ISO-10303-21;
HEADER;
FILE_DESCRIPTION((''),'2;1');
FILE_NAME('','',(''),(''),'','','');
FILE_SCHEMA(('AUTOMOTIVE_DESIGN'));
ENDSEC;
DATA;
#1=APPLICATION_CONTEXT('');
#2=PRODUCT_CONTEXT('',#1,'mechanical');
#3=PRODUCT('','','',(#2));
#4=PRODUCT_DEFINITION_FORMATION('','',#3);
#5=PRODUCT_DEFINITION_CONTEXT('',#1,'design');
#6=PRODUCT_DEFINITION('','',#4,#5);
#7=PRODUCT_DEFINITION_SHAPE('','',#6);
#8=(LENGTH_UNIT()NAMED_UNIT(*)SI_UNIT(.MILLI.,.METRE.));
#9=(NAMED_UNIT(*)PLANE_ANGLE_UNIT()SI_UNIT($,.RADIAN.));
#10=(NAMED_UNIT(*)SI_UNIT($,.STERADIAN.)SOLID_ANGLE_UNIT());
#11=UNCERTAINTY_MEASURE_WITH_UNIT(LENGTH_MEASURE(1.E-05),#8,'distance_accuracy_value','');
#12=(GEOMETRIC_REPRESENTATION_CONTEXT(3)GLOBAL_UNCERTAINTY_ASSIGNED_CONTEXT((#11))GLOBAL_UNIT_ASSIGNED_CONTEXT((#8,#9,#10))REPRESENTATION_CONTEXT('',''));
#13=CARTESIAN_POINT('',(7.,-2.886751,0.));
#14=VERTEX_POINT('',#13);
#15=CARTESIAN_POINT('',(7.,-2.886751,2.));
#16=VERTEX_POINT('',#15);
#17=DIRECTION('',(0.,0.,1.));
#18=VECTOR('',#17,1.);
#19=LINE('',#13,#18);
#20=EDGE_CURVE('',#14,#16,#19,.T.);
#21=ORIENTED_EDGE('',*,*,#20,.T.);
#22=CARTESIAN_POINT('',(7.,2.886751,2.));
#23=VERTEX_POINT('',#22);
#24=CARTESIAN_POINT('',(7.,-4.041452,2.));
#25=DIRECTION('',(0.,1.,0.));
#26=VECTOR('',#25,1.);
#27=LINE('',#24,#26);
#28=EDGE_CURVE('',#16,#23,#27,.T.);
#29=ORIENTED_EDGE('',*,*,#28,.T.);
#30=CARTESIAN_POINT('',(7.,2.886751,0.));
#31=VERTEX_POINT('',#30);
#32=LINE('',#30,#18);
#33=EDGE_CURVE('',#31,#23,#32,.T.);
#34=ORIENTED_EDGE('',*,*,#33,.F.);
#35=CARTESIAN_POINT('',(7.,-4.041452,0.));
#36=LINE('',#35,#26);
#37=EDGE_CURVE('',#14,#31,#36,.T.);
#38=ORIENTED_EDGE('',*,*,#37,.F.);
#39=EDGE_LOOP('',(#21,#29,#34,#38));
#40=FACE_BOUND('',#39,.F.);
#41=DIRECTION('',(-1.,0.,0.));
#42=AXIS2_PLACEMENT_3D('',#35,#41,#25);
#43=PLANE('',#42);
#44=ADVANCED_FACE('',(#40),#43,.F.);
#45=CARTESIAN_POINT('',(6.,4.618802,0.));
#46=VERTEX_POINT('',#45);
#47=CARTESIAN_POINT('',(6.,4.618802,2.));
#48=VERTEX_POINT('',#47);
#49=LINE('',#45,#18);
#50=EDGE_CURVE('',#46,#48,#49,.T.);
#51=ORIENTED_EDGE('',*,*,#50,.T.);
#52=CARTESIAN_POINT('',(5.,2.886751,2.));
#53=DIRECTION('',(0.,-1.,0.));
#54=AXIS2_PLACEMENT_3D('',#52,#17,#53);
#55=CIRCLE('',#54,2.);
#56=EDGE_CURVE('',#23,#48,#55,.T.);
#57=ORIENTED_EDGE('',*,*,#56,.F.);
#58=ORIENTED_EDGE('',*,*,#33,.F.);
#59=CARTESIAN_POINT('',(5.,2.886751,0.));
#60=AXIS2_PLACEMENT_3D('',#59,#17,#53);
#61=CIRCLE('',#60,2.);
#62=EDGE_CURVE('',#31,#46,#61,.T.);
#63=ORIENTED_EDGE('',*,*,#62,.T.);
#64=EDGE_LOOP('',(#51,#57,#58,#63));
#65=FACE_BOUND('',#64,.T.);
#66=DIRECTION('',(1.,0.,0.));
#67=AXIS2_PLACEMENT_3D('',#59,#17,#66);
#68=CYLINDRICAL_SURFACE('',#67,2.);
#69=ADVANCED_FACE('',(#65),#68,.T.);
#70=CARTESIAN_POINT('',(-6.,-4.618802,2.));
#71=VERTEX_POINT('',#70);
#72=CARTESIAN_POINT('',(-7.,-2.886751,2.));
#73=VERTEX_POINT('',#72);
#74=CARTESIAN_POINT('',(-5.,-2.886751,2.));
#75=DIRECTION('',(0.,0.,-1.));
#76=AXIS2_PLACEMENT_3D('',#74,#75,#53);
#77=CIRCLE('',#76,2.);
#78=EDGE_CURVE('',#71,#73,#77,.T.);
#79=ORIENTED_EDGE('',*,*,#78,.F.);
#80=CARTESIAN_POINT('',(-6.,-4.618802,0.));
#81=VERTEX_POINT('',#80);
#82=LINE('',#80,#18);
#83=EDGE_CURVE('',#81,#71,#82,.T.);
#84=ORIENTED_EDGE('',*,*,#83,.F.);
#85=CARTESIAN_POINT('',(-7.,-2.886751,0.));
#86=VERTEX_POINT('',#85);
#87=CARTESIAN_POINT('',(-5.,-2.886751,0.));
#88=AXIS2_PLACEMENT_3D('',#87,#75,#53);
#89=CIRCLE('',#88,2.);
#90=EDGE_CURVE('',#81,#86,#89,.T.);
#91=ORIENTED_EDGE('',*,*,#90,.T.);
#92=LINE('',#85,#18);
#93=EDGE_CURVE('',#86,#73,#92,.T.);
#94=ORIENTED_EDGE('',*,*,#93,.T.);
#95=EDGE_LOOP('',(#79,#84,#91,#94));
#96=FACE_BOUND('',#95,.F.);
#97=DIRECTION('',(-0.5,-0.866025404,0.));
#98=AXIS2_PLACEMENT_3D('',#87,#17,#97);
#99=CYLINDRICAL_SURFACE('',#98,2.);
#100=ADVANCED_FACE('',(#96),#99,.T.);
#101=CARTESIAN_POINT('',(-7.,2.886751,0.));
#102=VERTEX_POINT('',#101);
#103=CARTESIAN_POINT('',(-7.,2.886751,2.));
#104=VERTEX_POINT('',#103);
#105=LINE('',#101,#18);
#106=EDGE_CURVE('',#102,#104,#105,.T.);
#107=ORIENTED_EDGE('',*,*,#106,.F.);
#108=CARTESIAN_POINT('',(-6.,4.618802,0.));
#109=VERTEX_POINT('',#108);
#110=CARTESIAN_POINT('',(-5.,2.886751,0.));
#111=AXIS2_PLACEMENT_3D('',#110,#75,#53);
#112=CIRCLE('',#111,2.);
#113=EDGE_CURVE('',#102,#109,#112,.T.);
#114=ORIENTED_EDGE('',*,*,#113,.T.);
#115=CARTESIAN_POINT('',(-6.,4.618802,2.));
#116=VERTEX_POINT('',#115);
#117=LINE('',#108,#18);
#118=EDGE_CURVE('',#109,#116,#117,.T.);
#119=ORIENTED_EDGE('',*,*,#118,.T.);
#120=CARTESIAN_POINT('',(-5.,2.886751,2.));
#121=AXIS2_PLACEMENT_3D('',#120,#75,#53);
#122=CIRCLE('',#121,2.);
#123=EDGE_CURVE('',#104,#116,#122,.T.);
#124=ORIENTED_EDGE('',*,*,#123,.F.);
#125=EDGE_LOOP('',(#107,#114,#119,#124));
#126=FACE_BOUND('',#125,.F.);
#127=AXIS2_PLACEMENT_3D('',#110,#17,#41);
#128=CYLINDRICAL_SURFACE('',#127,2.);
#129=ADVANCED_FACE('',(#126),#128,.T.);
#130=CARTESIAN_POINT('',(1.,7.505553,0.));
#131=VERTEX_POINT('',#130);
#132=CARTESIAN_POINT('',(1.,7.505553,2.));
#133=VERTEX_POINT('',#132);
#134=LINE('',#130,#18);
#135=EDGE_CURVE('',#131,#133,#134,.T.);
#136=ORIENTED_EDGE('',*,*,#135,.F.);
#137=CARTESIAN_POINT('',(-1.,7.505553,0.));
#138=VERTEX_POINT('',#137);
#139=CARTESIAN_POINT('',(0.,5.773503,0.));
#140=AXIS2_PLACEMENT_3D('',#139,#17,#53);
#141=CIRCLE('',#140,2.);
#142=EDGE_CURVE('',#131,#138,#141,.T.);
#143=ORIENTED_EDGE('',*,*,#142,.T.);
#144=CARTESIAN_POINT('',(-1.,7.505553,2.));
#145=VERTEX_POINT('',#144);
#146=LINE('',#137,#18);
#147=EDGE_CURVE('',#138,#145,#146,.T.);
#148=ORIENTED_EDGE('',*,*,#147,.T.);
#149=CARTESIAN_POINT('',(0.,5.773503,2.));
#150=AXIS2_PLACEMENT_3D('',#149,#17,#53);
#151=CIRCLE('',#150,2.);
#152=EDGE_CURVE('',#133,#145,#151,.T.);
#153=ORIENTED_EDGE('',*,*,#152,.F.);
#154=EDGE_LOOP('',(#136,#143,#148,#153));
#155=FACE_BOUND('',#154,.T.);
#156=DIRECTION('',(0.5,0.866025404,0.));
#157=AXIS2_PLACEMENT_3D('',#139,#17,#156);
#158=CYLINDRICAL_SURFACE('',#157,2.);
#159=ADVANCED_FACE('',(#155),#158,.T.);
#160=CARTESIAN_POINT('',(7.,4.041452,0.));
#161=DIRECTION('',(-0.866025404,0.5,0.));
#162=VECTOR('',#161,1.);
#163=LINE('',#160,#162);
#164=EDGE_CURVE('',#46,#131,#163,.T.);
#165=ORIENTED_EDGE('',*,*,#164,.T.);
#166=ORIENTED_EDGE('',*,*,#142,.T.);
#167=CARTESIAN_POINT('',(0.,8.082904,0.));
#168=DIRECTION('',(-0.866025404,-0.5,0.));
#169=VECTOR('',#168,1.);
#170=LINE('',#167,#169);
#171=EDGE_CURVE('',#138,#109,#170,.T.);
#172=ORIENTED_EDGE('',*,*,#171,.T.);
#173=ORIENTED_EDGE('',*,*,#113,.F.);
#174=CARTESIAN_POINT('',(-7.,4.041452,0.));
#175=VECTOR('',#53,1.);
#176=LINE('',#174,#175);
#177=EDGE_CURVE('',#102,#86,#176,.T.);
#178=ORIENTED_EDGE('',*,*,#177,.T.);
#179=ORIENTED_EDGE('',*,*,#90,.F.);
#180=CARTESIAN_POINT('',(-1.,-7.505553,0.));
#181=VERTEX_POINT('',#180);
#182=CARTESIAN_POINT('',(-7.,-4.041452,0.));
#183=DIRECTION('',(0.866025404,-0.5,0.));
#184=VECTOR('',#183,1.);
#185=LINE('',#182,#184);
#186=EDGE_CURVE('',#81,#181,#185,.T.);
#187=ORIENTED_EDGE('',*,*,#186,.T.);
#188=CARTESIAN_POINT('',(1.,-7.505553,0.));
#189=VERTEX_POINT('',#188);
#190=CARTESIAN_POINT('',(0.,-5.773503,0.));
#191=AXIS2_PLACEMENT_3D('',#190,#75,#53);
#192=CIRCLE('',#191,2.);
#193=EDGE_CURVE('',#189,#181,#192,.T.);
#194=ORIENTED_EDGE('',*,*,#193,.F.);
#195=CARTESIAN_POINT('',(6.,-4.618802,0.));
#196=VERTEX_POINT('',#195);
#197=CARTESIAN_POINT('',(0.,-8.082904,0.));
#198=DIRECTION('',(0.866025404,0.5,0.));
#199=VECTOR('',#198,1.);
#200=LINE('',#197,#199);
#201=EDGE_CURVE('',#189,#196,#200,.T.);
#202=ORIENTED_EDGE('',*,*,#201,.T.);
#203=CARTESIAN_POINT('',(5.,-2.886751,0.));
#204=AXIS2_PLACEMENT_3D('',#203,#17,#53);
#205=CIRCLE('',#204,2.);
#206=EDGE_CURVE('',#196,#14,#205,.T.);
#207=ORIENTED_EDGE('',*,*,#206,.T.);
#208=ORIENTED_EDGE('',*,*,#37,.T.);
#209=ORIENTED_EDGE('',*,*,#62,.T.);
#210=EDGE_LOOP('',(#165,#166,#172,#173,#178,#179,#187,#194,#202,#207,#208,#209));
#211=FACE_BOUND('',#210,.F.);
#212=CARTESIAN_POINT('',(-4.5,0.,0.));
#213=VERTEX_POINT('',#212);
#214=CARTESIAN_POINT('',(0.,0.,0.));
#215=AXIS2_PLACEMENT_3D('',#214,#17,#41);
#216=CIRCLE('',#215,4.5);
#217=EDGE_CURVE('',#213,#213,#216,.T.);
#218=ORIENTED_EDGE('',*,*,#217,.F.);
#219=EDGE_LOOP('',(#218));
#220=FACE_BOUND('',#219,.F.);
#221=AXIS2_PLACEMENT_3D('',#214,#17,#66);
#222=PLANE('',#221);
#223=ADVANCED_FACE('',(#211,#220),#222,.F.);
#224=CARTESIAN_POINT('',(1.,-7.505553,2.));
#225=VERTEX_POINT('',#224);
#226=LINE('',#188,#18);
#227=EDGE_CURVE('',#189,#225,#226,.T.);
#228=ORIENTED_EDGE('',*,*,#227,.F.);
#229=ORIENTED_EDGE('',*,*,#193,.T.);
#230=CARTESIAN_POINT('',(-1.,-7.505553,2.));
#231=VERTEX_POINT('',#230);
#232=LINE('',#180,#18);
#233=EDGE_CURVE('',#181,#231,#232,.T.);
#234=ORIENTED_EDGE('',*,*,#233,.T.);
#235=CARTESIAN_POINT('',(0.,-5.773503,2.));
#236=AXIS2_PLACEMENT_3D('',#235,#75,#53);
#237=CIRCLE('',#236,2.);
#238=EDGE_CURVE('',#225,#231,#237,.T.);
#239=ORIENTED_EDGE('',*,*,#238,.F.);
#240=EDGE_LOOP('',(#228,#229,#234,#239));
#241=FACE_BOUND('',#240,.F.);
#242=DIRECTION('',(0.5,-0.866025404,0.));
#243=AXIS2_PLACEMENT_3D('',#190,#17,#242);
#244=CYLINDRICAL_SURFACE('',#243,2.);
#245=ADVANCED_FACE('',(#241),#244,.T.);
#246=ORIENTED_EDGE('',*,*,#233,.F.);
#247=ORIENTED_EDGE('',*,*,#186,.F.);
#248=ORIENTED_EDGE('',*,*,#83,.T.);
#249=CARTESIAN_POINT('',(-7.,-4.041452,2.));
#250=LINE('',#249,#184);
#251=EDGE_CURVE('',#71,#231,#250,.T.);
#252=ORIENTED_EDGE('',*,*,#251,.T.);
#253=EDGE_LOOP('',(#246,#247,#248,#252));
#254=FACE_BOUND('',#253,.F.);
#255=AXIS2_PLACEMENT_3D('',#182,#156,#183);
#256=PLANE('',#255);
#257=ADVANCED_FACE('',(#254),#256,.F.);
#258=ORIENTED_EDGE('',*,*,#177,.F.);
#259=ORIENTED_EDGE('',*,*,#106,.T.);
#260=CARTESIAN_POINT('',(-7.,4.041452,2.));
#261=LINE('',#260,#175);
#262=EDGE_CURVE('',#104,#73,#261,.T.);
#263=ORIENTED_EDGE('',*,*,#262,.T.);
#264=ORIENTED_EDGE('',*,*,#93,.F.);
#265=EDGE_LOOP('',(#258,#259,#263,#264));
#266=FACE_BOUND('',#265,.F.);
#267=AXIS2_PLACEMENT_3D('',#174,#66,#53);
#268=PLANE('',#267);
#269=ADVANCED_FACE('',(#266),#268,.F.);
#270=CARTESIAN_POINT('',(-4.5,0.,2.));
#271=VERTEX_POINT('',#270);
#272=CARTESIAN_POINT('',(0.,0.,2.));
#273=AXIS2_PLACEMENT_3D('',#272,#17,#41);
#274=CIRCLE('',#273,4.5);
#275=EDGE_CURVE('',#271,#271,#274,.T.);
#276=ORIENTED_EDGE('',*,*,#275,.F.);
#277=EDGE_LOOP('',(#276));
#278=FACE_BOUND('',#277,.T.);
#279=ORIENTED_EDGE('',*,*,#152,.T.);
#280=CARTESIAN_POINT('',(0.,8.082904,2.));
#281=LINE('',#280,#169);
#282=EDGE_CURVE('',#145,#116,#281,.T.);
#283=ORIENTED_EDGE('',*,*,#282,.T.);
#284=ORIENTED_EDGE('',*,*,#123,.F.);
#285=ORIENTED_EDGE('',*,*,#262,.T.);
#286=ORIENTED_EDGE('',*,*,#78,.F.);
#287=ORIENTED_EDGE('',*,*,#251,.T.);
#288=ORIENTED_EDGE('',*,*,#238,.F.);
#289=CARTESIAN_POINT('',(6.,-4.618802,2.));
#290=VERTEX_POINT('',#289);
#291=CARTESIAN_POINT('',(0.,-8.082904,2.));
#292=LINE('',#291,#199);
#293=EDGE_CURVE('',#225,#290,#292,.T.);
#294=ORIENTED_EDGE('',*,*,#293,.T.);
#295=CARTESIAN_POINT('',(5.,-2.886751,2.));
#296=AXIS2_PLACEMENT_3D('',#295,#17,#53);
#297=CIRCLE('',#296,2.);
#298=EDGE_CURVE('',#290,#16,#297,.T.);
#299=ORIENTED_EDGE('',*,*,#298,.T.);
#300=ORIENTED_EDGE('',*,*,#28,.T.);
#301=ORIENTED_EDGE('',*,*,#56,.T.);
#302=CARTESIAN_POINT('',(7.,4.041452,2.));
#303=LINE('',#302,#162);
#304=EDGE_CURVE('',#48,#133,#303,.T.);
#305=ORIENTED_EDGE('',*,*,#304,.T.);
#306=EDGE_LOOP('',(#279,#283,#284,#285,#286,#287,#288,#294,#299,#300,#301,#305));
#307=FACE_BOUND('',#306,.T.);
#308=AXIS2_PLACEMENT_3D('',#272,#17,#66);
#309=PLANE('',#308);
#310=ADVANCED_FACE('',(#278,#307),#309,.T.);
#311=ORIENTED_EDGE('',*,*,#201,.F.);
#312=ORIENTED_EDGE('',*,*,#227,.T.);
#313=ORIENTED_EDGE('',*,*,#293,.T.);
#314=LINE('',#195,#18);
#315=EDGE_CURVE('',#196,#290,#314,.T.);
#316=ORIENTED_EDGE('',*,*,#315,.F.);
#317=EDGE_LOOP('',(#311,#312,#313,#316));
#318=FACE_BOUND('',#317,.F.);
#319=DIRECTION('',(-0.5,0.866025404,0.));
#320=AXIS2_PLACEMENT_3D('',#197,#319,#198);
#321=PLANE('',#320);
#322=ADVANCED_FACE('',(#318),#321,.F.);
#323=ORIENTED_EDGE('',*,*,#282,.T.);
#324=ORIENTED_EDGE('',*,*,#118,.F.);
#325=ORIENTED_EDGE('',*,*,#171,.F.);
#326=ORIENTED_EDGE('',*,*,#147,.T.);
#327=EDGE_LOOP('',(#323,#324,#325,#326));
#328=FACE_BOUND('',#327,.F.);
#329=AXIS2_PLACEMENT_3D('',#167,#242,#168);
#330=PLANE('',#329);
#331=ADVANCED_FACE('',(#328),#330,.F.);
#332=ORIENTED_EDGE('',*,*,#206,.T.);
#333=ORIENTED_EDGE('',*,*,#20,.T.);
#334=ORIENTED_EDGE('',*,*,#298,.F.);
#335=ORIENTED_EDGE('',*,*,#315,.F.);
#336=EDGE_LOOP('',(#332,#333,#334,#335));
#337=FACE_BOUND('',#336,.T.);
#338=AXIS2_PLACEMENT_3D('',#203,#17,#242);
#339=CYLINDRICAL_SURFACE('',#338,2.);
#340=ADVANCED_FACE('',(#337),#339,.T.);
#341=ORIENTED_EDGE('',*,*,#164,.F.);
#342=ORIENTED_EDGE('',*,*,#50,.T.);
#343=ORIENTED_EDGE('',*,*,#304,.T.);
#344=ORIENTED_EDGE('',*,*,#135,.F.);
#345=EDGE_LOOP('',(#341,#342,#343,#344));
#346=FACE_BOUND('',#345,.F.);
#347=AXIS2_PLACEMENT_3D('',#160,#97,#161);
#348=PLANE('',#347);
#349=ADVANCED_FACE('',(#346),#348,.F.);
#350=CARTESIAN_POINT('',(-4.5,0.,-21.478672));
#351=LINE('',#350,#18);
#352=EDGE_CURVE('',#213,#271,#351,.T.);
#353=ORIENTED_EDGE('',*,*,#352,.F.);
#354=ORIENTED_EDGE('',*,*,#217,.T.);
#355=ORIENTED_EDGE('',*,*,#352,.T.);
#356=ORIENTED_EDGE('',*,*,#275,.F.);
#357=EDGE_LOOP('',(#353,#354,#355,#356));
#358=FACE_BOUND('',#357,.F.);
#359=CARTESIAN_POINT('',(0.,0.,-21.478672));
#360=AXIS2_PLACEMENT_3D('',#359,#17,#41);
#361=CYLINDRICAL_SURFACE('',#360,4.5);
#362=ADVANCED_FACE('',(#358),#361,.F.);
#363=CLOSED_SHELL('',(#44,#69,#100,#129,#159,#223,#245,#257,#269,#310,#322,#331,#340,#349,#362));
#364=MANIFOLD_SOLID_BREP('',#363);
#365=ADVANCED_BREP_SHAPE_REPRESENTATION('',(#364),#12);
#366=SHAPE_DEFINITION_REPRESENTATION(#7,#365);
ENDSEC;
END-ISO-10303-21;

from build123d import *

# Parameters (mm, degrees)
F0_R     = 5
F1_DEPTH = 2
F2_D     = 9
F3_R     = 2


with BuildPart() as f1:
    # F0 (on Top) → F1 (new body)
    with BuildSketch(Plane.XY):
        Polygon((0, -8.0829037687), (7, -4.0414518843), (7, 4.0414518843), (0, 8.0829037687), (-7, 4.0414518843), (-7, -4.0414518843), align=None)
        Circle(F0_R, mode=Mode.SUBTRACT)
        Circle(F0_R)
    extrude(amount=F1_DEPTH)

    # F2 (through all)
    with Locations(Plane(origin=(0, 0, 0), x_dir=(1, 0, 0), z_dir=(0, 0, -1))):
        with Locations((0, 0)):
            Hole(F2_D / 2)

    # F3
    f3_edges = [f1.edges().sort_by_distance(p)[0] for p in [
        (0, -8.082904, 1),
        (7, -4.041452, 1),
        (7, 4.041452, 1),
        (0, 8.082904, 1),
        (-7, 4.041452, 1),
        (-7, -4.041452, 1),
    ]]
    fillet(f3_edges, radius=F3_R)


solid = f1.part
